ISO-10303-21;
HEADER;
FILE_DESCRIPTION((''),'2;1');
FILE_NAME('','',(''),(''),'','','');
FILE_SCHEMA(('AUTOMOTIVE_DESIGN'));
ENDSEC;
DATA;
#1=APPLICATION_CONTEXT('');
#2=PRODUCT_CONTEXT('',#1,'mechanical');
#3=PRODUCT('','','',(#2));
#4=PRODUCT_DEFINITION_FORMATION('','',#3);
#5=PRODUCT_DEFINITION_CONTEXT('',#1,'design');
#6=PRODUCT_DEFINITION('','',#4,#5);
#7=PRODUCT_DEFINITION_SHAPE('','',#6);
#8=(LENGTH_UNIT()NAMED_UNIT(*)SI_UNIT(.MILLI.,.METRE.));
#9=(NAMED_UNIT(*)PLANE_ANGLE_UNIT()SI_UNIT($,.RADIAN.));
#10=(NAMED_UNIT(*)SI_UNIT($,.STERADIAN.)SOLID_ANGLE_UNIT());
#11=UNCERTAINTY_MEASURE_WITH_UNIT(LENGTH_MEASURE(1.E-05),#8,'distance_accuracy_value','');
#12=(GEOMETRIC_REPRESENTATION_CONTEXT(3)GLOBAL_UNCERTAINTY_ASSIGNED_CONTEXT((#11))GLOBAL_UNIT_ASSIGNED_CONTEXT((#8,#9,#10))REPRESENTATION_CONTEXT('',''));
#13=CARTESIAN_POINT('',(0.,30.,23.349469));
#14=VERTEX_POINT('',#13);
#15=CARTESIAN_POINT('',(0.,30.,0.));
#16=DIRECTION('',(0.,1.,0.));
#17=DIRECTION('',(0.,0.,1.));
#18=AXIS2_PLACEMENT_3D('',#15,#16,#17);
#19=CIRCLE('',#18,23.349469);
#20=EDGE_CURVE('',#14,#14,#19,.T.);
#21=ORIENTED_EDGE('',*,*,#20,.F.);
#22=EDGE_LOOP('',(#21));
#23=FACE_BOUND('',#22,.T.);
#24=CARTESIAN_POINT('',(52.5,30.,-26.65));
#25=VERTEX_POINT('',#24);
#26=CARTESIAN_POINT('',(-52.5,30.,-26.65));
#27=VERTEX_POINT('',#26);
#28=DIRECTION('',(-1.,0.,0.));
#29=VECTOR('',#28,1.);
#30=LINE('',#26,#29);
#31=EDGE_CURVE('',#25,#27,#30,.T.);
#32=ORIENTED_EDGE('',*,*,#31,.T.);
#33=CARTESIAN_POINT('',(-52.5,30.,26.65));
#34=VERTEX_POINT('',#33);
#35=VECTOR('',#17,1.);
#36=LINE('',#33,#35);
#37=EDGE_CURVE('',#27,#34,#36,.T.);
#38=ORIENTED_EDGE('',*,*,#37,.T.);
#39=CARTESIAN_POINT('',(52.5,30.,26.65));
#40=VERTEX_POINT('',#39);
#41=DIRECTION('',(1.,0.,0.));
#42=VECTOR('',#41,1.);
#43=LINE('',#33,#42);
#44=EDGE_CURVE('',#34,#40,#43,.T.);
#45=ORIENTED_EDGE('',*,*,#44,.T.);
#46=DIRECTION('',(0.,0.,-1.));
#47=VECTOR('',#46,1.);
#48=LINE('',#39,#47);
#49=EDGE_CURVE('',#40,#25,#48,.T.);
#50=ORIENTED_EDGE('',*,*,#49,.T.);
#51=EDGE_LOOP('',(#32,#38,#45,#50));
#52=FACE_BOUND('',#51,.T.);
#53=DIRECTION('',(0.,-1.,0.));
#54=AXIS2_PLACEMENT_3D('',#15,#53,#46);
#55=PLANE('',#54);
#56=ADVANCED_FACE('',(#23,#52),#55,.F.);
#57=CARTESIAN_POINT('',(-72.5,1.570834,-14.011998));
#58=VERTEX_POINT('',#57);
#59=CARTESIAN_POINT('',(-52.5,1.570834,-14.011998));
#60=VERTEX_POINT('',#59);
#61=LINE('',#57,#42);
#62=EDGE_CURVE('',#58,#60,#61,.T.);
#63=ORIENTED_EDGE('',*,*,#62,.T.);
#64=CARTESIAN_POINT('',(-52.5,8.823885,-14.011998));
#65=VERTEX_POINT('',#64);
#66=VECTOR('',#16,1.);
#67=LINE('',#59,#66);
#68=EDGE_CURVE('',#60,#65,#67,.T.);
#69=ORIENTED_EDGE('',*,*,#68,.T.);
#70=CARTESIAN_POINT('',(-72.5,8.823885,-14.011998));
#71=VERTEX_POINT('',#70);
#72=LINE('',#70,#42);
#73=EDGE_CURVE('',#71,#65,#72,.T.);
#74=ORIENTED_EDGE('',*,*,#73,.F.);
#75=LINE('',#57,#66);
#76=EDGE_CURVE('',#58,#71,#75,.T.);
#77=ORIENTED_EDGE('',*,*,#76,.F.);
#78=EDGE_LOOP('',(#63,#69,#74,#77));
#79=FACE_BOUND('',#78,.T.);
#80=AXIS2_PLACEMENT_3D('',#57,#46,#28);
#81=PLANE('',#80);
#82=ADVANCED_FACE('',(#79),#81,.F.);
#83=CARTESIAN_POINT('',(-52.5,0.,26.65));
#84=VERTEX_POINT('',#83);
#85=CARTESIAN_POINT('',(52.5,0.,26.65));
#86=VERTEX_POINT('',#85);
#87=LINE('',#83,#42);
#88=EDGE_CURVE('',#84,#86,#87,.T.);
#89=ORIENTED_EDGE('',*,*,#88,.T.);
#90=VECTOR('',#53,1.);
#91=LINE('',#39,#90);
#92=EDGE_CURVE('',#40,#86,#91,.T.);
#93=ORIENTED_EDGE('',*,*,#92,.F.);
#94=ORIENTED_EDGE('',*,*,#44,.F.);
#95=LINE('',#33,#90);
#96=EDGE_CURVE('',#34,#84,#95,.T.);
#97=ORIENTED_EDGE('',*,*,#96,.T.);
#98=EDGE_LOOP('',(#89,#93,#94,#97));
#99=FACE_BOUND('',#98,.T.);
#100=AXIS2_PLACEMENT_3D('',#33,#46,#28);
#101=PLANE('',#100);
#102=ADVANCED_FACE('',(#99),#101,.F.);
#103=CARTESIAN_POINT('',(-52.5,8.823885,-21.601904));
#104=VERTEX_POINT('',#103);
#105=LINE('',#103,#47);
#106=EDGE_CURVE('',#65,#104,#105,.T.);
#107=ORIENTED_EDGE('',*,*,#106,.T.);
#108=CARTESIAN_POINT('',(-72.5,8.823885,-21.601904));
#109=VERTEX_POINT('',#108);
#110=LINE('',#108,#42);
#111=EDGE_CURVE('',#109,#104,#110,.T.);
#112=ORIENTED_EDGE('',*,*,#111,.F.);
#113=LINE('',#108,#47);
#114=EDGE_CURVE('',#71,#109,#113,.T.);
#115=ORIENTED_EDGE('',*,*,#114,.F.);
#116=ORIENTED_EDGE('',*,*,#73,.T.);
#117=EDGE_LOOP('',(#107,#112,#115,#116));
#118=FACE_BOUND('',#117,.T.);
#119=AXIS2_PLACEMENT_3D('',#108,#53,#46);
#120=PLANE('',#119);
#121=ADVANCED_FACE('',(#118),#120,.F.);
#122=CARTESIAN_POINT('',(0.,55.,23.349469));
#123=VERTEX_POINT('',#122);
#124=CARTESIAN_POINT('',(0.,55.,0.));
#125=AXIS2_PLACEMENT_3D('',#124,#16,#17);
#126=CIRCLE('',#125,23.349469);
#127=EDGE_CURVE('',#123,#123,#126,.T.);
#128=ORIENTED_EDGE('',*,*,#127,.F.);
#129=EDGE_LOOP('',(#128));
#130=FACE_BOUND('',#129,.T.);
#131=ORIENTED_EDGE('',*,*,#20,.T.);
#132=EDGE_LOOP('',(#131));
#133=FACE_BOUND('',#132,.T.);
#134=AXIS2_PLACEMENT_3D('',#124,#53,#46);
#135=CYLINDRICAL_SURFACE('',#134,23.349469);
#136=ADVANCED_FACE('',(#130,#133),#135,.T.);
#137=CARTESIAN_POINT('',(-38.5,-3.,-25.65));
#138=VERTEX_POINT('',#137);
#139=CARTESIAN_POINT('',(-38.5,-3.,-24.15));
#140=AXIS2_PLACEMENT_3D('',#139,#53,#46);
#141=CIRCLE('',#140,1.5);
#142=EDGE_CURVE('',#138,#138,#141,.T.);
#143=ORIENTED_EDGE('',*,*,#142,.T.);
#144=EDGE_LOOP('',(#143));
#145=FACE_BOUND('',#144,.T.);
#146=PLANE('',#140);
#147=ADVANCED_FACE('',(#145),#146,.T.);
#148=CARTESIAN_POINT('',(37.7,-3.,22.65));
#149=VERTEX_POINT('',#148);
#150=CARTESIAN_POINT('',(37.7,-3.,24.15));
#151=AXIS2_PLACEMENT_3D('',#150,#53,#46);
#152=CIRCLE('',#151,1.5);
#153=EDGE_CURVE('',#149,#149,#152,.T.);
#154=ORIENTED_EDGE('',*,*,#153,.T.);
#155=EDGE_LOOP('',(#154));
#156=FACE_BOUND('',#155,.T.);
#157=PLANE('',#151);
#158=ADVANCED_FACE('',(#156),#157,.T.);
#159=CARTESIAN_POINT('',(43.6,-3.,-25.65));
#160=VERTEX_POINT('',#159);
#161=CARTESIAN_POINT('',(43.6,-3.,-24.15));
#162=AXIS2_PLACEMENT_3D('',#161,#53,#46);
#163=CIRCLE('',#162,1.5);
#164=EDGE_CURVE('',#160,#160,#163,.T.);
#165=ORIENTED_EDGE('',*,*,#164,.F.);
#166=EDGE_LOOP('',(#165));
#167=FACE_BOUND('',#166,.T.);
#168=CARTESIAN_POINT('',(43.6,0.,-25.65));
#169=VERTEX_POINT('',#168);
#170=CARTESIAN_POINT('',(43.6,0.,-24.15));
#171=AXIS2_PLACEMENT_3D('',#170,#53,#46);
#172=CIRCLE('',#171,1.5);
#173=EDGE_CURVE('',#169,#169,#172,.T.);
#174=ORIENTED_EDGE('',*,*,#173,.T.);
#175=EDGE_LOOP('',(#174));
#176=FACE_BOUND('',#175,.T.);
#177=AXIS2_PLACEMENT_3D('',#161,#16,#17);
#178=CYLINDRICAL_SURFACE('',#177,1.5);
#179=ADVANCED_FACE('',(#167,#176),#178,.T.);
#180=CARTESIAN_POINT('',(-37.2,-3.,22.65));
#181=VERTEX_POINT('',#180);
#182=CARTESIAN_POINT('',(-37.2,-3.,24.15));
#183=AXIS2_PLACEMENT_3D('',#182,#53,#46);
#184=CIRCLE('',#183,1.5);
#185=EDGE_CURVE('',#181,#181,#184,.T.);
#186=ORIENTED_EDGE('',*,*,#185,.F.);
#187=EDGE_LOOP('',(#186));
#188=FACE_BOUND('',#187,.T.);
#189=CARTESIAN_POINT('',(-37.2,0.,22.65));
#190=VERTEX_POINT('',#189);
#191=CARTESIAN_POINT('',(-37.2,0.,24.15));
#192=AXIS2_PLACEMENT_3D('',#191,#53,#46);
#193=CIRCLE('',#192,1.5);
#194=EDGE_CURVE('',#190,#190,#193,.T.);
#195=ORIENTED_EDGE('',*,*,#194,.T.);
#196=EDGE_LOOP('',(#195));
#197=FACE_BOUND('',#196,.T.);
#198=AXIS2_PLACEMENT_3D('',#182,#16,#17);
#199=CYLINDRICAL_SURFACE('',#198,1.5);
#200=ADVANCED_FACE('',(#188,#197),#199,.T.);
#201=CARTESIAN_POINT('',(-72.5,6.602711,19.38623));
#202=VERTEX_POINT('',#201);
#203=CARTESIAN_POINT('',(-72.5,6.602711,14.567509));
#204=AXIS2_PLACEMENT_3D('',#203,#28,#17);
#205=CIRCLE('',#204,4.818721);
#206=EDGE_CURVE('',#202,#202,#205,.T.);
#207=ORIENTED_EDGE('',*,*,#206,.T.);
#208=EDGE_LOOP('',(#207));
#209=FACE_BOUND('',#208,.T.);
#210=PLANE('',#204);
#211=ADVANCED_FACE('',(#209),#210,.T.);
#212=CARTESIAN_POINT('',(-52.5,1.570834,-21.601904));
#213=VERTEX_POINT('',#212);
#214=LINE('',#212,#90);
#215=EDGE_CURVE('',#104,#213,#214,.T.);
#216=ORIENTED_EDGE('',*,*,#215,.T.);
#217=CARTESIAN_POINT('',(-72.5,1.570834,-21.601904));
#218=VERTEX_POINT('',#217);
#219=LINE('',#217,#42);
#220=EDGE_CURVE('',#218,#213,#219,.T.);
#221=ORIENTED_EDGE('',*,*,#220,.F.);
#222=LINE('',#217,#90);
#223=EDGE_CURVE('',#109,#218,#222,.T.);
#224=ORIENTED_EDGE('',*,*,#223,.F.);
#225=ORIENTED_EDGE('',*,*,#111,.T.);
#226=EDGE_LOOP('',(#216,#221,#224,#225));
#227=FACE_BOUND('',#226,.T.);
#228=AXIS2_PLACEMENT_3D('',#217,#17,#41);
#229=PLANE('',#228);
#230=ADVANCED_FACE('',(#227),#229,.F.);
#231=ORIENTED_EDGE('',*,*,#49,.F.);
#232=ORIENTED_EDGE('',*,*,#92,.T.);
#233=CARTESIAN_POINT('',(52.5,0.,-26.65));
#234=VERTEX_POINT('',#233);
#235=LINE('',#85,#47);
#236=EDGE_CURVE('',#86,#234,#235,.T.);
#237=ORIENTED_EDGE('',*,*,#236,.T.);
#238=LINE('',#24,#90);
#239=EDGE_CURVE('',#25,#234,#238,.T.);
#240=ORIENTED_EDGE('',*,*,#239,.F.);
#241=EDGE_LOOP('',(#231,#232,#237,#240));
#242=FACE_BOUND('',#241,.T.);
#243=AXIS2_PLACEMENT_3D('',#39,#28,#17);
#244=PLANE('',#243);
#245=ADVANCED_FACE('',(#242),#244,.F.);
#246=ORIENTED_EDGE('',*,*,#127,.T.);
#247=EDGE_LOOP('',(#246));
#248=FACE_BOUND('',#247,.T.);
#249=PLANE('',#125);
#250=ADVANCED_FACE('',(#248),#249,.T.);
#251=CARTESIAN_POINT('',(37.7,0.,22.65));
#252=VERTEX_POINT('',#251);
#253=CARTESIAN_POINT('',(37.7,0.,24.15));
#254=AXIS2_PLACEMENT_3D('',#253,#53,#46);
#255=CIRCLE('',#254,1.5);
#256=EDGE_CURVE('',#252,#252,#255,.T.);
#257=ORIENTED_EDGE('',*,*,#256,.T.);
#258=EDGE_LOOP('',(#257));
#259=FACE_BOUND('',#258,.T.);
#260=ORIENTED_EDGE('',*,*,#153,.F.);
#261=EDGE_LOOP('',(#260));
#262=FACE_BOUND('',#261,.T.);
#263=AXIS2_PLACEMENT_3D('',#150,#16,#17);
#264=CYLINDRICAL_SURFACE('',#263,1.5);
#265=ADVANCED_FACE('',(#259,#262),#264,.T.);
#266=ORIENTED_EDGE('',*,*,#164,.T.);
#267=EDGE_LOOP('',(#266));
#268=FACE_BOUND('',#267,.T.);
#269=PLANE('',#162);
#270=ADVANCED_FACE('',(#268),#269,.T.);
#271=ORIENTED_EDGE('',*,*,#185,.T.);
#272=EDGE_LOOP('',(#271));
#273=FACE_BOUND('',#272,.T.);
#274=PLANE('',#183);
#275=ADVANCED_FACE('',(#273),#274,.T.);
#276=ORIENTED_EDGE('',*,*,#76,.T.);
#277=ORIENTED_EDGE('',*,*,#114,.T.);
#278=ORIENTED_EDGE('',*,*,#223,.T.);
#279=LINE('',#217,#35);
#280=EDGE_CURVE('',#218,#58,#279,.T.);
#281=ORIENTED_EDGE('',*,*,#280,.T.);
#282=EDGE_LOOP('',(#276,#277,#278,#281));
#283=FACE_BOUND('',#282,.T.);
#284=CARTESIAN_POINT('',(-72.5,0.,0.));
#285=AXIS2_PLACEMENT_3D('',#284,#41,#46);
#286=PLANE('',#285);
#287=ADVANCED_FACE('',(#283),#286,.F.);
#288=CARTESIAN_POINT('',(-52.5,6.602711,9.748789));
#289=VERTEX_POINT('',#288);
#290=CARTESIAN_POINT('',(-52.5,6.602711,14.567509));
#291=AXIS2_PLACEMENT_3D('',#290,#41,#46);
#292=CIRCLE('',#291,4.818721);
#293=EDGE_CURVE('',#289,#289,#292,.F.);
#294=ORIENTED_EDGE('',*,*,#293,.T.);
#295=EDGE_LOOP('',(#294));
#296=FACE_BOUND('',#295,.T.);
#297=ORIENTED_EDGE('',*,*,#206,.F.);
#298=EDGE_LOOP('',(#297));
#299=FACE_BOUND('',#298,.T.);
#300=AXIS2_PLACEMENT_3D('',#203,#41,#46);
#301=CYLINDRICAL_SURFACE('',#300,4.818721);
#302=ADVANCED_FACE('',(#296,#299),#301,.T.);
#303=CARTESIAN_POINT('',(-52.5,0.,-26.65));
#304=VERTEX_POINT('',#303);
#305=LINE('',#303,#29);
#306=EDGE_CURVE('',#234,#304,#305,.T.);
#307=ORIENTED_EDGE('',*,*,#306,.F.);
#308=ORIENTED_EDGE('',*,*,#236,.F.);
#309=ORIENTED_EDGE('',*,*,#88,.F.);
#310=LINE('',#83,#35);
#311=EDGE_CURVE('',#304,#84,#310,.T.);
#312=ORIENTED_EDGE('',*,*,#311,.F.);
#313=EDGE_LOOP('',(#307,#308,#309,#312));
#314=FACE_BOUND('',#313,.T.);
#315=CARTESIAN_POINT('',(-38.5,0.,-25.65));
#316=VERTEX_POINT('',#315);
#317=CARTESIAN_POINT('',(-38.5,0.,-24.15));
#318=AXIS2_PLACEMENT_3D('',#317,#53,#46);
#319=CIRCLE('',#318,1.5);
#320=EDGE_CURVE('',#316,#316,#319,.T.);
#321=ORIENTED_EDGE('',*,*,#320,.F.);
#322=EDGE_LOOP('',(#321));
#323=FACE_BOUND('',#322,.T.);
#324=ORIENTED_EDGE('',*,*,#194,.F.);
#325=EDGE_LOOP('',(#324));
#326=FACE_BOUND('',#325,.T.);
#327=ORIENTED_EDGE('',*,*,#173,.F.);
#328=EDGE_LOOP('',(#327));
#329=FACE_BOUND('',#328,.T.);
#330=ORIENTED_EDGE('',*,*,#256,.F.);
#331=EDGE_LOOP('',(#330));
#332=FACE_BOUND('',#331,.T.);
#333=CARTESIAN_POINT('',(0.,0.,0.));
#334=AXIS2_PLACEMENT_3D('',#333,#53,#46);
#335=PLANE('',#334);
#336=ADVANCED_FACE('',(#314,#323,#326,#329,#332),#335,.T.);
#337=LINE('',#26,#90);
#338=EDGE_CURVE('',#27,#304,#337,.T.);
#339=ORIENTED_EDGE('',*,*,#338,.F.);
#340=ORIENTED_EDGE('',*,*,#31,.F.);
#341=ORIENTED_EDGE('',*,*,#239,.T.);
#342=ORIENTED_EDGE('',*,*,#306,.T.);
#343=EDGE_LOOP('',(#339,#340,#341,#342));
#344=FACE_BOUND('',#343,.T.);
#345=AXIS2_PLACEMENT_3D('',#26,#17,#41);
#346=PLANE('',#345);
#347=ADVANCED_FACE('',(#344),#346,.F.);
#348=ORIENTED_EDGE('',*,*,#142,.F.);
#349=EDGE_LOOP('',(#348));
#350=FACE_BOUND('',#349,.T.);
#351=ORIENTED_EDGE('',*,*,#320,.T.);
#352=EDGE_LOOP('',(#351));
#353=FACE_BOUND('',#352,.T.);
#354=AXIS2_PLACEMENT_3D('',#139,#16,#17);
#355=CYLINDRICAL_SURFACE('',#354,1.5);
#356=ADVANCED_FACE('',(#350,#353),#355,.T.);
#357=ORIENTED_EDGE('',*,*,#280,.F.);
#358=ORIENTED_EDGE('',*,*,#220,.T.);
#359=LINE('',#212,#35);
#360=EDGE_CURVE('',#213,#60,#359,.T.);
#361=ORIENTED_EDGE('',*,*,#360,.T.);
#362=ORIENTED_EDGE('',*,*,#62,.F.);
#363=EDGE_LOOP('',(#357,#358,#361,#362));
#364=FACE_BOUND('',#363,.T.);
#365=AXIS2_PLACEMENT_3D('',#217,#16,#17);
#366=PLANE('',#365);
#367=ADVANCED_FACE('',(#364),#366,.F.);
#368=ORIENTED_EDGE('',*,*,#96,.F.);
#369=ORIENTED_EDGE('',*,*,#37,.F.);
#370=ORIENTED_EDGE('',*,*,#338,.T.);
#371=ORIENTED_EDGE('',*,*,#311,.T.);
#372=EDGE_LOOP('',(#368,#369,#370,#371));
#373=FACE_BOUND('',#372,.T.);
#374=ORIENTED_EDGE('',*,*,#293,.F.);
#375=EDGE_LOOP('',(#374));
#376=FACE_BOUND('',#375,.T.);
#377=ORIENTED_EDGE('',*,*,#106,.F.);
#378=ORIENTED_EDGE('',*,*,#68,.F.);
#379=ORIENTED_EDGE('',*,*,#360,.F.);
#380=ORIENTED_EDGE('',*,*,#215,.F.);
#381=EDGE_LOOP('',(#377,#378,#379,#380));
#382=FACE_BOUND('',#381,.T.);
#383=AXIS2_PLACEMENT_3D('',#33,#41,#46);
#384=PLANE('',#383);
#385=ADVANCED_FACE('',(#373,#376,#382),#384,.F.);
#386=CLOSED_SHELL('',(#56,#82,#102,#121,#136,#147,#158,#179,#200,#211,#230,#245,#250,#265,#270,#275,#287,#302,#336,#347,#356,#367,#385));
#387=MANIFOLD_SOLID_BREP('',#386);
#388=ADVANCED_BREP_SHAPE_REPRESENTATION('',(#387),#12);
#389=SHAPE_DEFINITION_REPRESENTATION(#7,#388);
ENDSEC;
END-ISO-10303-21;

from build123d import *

# Parameters (mm, degrees)
SKETCH1_W           = 105
SKETCH1_H           = 53.3
BOSS_EXTRUDE1_DEPTH = 30
SKETCH2_R           = 4.818720667
SKETCH2_W           = 7.589906064
SKETCH2_H           = 7.253051844
BOSS_EXTRUDE2_DEPTH = 20
SKETCH3_R           = 23.34946898
BOSS_EXTRUDE3_DEPTH = 25
SKETCH4_R           = 1.5
BOSS_EXTRUDE4_DEPTH = 3


with BuildPart() as part:
    # Sketch1 → Boss-Extrude1 (new body)
    with BuildSketch(Plane(origin=(0, 0, 0), x_dir=(1, 0, 0), z_dir=(0, 1, 0))):
        Rectangle(SKETCH1_W, SKETCH1_H)
    extrude(amount=BOSS_EXTRUDE1_DEPTH)

    # Sketch2 → Boss-Extrude2 (add)
    with BuildSketch(Plane.ZY.offset(52.5)):
        with Locations((14.56750928, 6.602710937)):
            Circle(SKETCH2_R)
        with Locations((-17.806950585, 5.197359545)):
            Rectangle(SKETCH2_W, SKETCH2_H)
    extrude(amount=BOSS_EXTRUDE2_DEPTH)

    # Sketch3 → Boss-Extrude3 (add)
    with BuildSketch(Plane(origin=(0, 30, 0), x_dir=(1, 0, 0), z_dir=(0, 1, 0))):
        Circle(SKETCH3_R)
    extrude(amount=BOSS_EXTRUDE3_DEPTH)

    # Sketch4 → Boss-Extrude4 (add)
    with BuildSketch(Plane.XZ):
        with Locations((-37.2, 24.15)):
            Circle(SKETCH4_R)
        with Locations((-38.5, -24.15)):
            Circle(SKETCH4_R)
        with Locations((37.7, 24.15)):
            Circle(SKETCH4_R)
        with Locations((43.6, -24.15)):
            Circle(SKETCH4_R)
    extrude(amount=BOSS_EXTRUDE4_DEPTH)


solid = part.part
